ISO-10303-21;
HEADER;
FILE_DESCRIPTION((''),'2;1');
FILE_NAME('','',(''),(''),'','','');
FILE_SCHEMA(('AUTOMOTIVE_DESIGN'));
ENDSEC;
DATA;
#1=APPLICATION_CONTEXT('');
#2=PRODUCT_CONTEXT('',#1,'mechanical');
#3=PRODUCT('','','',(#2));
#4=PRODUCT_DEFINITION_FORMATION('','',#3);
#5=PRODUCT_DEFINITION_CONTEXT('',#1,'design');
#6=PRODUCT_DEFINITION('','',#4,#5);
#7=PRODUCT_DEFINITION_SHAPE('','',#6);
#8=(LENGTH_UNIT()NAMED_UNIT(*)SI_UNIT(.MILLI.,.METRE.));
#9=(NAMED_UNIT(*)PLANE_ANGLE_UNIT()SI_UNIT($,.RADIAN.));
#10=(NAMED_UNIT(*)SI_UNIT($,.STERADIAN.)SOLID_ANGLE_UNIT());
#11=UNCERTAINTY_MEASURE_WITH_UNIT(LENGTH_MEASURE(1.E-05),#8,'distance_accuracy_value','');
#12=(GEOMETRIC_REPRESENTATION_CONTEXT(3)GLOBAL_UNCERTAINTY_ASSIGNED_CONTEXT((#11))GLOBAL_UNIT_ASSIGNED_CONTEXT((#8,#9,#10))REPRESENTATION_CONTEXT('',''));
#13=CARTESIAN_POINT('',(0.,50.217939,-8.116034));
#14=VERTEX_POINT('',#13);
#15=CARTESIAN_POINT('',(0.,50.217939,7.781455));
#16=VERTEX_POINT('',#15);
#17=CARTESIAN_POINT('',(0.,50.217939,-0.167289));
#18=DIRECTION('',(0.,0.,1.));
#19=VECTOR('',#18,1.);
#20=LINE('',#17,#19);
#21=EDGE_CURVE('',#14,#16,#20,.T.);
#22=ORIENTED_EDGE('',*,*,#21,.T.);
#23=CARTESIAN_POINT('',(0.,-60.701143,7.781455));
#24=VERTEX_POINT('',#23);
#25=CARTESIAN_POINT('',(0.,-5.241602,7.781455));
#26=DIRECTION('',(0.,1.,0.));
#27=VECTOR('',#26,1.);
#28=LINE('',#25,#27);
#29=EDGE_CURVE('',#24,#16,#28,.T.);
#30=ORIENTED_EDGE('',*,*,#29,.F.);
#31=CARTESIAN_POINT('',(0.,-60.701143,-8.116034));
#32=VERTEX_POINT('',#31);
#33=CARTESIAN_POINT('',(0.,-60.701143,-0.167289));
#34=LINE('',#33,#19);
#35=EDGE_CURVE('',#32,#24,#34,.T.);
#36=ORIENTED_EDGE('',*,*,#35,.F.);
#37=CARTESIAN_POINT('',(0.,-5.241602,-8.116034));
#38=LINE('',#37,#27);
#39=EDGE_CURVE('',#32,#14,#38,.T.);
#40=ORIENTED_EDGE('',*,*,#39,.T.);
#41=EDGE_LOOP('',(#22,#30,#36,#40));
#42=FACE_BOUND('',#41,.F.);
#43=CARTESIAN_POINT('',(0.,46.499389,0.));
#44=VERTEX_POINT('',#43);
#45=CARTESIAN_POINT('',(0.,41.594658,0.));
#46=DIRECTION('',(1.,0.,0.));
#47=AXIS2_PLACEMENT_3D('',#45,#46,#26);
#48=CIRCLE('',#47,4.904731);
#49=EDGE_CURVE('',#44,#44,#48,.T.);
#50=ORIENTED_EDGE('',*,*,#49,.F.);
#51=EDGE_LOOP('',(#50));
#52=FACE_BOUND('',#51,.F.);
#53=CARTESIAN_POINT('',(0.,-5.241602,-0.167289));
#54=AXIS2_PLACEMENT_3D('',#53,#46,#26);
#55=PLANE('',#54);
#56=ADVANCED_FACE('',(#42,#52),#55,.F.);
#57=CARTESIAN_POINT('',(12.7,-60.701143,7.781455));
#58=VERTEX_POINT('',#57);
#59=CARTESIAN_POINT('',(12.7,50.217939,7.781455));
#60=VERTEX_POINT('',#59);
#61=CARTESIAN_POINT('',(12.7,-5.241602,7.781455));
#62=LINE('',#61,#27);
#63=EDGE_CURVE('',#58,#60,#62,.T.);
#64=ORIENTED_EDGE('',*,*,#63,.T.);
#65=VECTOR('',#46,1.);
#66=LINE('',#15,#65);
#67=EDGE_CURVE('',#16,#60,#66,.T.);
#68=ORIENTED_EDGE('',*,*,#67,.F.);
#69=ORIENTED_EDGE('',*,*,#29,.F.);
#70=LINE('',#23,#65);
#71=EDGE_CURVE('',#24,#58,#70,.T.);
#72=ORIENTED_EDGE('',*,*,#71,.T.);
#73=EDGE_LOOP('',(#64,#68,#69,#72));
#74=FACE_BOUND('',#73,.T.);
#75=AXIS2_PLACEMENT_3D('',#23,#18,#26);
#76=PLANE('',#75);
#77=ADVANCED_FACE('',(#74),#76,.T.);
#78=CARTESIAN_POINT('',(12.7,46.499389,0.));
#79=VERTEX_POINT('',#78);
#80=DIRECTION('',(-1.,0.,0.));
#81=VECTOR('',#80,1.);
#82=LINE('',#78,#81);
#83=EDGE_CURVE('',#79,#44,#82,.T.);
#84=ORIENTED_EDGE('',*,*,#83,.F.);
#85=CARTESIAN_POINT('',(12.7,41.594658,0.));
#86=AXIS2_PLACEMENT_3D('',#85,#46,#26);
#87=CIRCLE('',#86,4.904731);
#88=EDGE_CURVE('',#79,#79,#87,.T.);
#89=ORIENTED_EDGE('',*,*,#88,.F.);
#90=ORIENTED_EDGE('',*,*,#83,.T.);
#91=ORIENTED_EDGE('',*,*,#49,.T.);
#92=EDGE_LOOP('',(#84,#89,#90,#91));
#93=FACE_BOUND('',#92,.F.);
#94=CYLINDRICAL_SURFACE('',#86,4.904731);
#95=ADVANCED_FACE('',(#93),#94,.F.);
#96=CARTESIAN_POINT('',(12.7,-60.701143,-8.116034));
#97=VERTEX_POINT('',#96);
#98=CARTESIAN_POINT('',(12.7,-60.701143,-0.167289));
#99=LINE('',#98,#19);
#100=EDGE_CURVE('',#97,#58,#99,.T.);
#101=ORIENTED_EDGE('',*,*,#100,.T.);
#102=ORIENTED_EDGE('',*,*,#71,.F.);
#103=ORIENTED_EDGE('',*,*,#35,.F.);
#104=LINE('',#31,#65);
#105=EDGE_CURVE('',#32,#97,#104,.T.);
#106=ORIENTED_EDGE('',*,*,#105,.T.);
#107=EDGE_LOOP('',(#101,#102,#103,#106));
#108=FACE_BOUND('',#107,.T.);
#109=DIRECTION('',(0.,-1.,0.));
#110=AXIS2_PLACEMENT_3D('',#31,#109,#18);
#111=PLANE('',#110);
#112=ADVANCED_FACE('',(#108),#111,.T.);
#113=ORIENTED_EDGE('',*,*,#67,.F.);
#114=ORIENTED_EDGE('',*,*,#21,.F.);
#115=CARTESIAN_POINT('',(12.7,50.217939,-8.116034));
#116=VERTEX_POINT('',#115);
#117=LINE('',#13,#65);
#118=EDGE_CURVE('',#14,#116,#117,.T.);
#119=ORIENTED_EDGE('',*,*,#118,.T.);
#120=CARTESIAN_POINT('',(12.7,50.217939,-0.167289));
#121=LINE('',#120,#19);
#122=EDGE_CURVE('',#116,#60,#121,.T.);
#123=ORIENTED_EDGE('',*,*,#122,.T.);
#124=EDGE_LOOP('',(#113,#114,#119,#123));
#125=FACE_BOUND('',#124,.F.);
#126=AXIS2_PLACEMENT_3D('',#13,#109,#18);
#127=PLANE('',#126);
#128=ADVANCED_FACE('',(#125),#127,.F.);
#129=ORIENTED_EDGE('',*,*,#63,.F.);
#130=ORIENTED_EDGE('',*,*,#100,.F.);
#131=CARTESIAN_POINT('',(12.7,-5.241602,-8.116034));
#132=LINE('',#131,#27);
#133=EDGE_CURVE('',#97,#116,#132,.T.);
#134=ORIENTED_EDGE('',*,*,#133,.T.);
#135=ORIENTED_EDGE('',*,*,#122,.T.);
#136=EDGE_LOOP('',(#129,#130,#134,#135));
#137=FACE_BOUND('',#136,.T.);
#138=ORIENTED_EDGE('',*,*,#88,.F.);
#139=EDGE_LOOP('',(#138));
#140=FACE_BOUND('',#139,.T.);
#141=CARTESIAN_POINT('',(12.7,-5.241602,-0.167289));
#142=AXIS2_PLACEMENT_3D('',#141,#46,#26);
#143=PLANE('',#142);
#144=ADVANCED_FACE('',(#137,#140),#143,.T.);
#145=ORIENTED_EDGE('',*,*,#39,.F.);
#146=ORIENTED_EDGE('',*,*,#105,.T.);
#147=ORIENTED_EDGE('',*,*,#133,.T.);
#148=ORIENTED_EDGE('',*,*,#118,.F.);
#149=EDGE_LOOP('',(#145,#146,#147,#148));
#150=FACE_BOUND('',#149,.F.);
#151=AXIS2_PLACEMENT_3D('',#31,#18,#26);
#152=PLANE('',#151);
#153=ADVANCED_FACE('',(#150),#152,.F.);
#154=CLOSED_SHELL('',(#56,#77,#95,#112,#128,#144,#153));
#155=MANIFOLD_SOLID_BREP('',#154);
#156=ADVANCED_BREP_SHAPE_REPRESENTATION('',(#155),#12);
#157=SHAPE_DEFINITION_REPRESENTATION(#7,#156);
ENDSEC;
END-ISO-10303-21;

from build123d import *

# Parameters (mm, degrees)
F0_W     = 110.919081
F0_H     = 15.897489
F1_DEPTH = 12.7
F2_R     = 4.904731
F3_DEPTH = 12.701


with BuildPart() as f1:
    # F0 (on Right) → F1 (new body)
    with BuildSketch(Plane.YZ):
        with Locations((-5.241602, -0.167289)):
            Rectangle(F0_W, F0_H)
    extrude(amount=F1_DEPTH)

    # F2 (on face) → F3 (cut, through all)
    with BuildSketch(Plane.YZ.offset(12.7)):
        with Locations((41.594658, 0)):
            Circle(F2_R)
    extrude(amount=-F3_DEPTH, mode=Mode.SUBTRACT)


solid = f1.part
